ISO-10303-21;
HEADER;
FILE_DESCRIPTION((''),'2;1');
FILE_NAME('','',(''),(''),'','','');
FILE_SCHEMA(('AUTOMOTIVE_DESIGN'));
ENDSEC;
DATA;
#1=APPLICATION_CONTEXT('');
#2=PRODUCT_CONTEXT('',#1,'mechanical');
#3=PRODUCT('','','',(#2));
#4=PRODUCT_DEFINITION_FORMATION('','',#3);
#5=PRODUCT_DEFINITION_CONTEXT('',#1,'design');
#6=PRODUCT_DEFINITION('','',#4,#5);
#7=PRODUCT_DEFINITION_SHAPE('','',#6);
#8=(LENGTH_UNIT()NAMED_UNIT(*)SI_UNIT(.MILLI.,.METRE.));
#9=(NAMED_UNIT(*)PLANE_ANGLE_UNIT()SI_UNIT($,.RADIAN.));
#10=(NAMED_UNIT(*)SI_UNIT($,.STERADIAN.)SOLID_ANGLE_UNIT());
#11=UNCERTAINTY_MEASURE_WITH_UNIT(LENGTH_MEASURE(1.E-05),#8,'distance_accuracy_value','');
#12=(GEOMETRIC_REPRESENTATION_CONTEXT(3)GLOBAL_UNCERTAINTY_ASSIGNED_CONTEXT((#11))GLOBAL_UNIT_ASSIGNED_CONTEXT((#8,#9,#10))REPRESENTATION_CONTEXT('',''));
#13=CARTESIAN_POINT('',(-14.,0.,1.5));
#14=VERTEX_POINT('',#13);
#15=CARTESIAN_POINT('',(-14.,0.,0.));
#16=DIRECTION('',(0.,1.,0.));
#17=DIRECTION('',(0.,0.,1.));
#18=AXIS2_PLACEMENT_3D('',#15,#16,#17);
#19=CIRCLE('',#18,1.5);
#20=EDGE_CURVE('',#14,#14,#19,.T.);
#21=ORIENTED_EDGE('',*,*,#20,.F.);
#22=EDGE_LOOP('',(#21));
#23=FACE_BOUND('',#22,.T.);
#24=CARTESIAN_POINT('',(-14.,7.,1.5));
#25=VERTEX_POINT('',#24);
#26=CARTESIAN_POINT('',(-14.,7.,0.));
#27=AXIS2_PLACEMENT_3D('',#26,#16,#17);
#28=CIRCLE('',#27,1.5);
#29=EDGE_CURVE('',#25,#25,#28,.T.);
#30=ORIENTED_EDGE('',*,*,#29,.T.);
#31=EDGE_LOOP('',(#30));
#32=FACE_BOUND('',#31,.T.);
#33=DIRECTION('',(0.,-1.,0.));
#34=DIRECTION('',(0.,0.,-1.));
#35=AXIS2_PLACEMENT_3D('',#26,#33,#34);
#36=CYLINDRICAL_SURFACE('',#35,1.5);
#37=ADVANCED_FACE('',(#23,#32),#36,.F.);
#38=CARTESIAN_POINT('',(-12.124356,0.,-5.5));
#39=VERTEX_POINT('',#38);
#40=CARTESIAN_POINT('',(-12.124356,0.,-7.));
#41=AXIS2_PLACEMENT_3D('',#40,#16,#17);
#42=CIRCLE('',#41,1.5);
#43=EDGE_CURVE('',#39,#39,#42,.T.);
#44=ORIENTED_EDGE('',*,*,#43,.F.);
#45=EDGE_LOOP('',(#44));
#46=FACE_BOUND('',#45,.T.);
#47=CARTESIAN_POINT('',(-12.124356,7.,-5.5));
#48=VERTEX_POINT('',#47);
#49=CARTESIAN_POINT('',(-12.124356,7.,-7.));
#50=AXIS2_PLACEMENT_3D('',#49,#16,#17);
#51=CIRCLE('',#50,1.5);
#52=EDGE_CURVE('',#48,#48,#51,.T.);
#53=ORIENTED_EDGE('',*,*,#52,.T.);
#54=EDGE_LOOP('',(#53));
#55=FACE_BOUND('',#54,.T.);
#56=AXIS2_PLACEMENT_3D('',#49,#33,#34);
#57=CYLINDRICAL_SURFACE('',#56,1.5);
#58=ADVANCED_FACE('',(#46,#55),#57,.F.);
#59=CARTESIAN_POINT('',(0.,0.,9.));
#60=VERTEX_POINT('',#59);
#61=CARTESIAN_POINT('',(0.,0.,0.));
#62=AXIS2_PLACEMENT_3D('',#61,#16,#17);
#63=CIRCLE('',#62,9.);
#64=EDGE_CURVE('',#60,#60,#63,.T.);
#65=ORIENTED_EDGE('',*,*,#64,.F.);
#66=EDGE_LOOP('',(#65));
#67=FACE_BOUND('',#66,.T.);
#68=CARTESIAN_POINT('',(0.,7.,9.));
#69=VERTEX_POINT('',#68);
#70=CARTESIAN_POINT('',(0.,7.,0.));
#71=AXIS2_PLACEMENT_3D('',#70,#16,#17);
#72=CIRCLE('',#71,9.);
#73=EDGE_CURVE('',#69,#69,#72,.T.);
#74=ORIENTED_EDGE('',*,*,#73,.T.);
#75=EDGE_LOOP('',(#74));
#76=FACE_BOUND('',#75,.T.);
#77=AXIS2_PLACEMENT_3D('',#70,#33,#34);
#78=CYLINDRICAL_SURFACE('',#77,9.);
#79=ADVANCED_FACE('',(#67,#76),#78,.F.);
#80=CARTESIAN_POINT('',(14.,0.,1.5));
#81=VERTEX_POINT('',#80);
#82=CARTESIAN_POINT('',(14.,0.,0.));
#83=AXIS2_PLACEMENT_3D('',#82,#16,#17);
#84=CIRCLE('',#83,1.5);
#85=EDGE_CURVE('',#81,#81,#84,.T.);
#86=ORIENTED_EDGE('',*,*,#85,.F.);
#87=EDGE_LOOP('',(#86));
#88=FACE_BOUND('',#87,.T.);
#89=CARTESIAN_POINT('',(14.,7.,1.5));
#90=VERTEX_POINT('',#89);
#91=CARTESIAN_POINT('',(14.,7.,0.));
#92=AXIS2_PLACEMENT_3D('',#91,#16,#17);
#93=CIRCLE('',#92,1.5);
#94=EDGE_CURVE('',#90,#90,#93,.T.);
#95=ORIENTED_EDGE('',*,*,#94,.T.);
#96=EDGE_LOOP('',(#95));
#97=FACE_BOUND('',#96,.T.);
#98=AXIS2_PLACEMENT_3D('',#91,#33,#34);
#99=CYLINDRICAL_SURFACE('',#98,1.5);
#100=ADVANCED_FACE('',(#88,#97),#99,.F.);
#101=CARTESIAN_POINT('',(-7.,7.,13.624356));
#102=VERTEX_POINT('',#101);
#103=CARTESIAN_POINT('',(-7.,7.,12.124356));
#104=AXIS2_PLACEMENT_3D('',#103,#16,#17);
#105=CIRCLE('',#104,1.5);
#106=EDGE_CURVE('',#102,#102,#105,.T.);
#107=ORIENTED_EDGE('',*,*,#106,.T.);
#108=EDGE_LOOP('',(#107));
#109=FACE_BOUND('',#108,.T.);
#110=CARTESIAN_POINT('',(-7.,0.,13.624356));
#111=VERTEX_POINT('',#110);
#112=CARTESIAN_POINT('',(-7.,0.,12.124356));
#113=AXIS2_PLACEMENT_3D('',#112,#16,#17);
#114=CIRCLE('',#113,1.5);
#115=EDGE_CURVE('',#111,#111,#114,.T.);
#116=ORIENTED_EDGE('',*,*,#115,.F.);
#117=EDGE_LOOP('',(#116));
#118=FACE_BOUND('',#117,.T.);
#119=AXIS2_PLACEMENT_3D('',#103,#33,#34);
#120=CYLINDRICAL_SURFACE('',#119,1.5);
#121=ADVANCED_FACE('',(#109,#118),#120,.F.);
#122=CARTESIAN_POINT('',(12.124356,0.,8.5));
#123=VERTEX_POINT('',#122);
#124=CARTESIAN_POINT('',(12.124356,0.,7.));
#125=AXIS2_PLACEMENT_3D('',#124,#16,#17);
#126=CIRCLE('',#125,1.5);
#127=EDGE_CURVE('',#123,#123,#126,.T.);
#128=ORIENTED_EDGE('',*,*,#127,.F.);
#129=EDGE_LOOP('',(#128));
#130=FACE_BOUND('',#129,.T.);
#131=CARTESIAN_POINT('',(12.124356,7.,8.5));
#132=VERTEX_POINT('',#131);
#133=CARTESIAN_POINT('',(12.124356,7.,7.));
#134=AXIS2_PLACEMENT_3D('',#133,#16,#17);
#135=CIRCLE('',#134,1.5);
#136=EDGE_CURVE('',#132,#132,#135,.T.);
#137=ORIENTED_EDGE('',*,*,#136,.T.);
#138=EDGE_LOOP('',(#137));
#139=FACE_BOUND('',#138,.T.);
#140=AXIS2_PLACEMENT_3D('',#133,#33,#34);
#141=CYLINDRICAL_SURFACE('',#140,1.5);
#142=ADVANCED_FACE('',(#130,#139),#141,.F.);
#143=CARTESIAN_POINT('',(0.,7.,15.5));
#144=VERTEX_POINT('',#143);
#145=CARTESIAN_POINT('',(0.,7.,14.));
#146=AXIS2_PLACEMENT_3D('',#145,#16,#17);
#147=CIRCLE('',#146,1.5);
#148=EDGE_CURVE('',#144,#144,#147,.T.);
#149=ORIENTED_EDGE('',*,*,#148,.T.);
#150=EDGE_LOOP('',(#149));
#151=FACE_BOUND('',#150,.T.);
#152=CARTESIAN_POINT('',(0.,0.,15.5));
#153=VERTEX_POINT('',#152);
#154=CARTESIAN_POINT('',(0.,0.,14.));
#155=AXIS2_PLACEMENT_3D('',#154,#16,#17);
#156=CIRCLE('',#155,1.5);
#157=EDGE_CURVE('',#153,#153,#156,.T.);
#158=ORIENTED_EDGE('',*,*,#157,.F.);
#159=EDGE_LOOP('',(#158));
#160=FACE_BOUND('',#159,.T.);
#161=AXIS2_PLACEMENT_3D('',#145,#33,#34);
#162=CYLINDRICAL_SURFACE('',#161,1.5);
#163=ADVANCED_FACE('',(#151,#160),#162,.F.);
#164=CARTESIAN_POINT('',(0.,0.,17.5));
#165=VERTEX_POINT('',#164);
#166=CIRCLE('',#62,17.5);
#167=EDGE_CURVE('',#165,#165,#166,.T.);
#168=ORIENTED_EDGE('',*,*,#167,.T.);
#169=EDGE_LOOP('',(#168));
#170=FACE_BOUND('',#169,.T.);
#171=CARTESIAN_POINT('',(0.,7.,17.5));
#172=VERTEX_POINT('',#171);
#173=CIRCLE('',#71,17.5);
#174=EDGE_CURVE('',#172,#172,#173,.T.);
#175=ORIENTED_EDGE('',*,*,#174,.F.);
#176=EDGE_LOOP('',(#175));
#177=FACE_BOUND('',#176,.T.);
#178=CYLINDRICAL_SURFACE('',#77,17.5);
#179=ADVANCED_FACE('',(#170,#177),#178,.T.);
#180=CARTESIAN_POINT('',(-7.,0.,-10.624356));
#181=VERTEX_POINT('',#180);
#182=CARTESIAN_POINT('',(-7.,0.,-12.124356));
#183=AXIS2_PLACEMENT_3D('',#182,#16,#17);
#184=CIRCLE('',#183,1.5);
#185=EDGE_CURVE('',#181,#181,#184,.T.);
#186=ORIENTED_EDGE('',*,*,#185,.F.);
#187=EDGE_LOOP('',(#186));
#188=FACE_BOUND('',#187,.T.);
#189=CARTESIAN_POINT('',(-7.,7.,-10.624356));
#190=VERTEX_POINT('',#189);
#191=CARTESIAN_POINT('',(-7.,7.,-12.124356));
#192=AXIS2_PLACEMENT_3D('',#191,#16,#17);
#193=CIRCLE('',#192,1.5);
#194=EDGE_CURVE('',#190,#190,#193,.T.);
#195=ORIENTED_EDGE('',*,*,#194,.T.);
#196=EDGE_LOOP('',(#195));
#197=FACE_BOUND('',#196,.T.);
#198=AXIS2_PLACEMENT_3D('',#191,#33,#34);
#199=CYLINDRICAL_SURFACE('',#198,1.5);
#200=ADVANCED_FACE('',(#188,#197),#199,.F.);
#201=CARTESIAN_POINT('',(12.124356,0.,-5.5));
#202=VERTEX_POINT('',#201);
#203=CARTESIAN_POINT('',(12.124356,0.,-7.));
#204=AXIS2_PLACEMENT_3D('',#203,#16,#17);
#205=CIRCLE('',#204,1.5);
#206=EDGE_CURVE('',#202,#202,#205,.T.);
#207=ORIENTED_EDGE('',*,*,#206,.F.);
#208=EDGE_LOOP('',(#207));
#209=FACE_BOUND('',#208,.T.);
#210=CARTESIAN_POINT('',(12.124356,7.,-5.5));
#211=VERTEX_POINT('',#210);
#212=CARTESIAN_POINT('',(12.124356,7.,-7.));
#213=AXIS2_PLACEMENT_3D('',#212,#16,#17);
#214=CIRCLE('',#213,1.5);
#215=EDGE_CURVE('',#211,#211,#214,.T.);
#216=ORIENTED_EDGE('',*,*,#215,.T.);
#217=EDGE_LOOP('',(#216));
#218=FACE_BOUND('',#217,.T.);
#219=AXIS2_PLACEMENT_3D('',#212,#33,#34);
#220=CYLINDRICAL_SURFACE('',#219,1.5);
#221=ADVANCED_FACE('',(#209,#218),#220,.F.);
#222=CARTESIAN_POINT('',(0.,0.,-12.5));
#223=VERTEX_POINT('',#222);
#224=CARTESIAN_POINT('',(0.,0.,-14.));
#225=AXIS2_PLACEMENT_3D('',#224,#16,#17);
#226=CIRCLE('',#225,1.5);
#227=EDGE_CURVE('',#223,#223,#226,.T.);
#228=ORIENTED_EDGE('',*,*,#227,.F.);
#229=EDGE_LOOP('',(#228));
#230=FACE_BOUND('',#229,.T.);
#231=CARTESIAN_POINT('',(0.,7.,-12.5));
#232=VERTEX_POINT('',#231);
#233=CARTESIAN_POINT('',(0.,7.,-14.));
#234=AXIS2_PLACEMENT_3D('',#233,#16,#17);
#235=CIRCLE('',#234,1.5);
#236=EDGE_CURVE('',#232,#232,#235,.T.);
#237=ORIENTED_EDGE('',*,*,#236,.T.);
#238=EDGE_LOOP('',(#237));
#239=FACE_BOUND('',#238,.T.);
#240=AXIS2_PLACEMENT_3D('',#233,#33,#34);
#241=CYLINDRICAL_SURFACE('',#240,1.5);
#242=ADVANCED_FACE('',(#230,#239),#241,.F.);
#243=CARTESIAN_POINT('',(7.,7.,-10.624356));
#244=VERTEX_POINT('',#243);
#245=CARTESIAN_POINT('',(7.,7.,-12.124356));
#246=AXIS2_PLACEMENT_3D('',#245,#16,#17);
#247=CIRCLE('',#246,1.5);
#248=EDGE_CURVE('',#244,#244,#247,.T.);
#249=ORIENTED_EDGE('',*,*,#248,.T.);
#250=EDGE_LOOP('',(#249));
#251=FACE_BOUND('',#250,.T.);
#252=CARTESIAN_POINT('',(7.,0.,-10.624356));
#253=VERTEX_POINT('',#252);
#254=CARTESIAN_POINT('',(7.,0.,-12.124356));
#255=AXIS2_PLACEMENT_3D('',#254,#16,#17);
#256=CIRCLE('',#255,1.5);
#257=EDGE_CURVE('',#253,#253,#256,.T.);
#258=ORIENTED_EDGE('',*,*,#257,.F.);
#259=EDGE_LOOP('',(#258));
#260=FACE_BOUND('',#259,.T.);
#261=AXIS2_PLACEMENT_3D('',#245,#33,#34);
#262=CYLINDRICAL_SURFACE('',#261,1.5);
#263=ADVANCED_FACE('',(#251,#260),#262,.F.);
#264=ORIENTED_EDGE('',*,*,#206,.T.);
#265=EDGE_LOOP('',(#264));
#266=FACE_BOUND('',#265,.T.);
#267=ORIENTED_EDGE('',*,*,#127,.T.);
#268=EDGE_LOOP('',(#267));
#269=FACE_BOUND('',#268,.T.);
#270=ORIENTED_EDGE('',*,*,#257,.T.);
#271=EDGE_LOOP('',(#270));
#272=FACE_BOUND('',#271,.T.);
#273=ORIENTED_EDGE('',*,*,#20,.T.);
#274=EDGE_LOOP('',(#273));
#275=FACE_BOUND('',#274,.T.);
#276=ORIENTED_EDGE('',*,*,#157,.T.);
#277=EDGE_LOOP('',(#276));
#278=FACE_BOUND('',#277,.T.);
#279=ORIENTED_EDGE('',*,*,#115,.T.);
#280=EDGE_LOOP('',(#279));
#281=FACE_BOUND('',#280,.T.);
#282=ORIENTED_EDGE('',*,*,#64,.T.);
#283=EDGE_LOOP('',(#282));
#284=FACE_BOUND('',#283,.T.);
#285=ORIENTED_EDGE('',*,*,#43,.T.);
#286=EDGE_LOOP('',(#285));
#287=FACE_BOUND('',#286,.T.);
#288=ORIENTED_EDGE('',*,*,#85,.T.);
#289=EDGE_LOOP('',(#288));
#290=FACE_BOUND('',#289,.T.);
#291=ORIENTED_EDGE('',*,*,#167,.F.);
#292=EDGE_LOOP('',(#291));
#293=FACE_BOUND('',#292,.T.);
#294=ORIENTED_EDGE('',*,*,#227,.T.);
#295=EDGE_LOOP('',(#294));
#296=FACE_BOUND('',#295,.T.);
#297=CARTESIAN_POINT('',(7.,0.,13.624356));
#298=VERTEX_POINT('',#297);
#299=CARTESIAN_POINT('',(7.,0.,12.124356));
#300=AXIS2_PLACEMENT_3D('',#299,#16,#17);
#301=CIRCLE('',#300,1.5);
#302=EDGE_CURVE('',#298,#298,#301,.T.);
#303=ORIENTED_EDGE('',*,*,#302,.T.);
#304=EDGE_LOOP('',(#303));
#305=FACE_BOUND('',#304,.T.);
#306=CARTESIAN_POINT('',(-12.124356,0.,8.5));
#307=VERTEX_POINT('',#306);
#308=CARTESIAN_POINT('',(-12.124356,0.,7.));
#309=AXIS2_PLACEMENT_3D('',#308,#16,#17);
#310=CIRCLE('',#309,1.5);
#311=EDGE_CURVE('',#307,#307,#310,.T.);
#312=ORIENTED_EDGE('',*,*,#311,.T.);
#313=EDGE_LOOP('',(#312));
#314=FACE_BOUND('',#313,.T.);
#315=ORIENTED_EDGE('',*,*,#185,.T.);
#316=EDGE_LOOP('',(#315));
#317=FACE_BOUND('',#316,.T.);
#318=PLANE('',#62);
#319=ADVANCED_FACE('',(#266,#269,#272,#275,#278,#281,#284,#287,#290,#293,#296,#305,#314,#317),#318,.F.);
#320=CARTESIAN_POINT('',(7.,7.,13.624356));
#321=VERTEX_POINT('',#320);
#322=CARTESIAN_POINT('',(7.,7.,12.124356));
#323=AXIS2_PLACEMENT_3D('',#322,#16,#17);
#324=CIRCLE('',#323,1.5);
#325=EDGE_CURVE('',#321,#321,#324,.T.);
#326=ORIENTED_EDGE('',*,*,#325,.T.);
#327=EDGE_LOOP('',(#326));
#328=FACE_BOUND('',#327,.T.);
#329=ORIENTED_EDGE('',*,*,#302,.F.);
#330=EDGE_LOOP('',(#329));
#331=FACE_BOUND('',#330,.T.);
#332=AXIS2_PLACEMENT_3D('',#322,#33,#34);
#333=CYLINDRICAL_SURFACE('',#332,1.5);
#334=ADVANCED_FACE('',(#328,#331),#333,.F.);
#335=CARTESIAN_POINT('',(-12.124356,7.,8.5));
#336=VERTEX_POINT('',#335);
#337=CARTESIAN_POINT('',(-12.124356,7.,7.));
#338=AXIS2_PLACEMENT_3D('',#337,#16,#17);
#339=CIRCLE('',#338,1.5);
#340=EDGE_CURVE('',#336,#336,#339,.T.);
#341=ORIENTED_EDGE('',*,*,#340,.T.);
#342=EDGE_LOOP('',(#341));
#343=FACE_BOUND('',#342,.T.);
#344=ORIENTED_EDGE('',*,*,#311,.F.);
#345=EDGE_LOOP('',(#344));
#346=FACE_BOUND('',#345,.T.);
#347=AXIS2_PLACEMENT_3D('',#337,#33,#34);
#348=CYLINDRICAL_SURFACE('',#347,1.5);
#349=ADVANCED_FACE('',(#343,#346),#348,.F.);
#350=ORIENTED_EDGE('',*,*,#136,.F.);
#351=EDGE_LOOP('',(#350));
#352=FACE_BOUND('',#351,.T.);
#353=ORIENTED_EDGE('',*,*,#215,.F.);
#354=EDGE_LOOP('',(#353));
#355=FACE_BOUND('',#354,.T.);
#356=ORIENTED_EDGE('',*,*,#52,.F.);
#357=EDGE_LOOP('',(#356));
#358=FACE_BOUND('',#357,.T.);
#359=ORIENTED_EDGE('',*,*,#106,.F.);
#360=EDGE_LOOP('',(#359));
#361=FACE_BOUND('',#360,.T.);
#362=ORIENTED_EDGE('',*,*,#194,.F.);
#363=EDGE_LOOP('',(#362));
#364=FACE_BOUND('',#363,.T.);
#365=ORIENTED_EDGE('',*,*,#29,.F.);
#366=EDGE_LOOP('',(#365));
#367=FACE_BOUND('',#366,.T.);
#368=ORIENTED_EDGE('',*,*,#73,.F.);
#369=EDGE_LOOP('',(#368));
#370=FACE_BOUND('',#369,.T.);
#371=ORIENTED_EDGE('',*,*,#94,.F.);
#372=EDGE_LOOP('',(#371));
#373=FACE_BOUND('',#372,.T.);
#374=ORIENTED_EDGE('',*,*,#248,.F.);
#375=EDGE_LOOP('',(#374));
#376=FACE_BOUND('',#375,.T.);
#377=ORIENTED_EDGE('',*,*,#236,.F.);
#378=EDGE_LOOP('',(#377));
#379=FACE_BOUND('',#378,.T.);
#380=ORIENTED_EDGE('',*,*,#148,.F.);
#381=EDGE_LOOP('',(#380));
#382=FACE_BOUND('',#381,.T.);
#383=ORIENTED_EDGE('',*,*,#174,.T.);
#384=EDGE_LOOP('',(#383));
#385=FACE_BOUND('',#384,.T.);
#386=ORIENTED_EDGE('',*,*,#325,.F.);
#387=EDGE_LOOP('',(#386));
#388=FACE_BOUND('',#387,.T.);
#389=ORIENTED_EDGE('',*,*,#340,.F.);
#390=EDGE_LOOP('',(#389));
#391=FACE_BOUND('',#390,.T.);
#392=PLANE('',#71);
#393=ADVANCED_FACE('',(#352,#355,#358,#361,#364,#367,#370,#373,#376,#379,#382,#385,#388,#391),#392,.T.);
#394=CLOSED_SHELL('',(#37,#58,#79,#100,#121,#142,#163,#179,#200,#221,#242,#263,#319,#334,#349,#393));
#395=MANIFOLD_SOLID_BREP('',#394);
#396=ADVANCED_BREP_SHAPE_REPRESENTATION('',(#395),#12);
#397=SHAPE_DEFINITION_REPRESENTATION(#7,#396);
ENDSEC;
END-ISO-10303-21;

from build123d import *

# Parameters (mm, degrees)
SKETCH1_R           = 17.5
SKETCH1_R_2         = 9
SKETCH1_R_3         = 1.5
BOSS_EXTRUDE1_DEPTH = 7


with BuildPart() as part:
    # Sketch1 → Boss-Extrude1 (new body)
    with BuildSketch(Plane(origin=(0, 0, 0), x_dir=(1, 0, 0), z_dir=(0, 1, 0))):
        with Locations(Location((0, 0, 0), (0, 0, 270))):
            Circle(SKETCH1_R)
        with Locations(Location((0, 0, 0), (0, 0, 270))):
            Circle(SKETCH1_R_2, mode=Mode.SUBTRACT)
        with Locations(Location((0, 14, 0), (0, 0, 270))):
            Circle(SKETCH1_R_3, mode=Mode.SUBTRACT)
        with Locations(Location((7, 12.124355653, 0), (0, 0, 270))):
            Circle(SKETCH1_R_3, mode=Mode.SUBTRACT)
        with Locations(Location((12.124355653, 7, 0), (0, 0, 270))):
            Circle(SKETCH1_R_3, mode=Mode.SUBTRACT)
        with Locations(Location((14, 0, 0), (0, 0, 270))):
            Circle(SKETCH1_R_3, mode=Mode.SUBTRACT)
        with Locations(Location((12.124355653, -7, 0), (0, 0, 270))):
            Circle(SKETCH1_R_3, mode=Mode.SUBTRACT)
        with Locations(Location((7, -12.124355653, 0), (0, 0, 270))):
            Circle(SKETCH1_R_3, mode=Mode.SUBTRACT)
        with Locations(Location((0, -14, 0), (0, 0, 270))):
            Circle(SKETCH1_R_3, mode=Mode.SUBTRACT)
        with Locations(Location((-7, -12.124355653, 0), (0, 0, 270))):
            Circle(SKETCH1_R_3, mode=Mode.SUBTRACT)
        with Locations(Location((-12.124355653, -7, 0), (0, 0, 270))):
            Circle(SKETCH1_R_3, mode=Mode.SUBTRACT)
        with Locations(Location((-14, 0, 0), (0, 0, 270))):
            Circle(SKETCH1_R_3, mode=Mode.SUBTRACT)
        with Locations(Location((-12.124355653, 7, 0), (0, 0, 270))):
            Circle(SKETCH1_R_3, mode=Mode.SUBTRACT)
        with Locations(Location((-7, 12.124355653, 0), (0, 0, 270))):
            Circle(SKETCH1_R_3, mode=Mode.SUBTRACT)
    extrude(amount=BOSS_EXTRUDE1_DEPTH)


solid = part.part
